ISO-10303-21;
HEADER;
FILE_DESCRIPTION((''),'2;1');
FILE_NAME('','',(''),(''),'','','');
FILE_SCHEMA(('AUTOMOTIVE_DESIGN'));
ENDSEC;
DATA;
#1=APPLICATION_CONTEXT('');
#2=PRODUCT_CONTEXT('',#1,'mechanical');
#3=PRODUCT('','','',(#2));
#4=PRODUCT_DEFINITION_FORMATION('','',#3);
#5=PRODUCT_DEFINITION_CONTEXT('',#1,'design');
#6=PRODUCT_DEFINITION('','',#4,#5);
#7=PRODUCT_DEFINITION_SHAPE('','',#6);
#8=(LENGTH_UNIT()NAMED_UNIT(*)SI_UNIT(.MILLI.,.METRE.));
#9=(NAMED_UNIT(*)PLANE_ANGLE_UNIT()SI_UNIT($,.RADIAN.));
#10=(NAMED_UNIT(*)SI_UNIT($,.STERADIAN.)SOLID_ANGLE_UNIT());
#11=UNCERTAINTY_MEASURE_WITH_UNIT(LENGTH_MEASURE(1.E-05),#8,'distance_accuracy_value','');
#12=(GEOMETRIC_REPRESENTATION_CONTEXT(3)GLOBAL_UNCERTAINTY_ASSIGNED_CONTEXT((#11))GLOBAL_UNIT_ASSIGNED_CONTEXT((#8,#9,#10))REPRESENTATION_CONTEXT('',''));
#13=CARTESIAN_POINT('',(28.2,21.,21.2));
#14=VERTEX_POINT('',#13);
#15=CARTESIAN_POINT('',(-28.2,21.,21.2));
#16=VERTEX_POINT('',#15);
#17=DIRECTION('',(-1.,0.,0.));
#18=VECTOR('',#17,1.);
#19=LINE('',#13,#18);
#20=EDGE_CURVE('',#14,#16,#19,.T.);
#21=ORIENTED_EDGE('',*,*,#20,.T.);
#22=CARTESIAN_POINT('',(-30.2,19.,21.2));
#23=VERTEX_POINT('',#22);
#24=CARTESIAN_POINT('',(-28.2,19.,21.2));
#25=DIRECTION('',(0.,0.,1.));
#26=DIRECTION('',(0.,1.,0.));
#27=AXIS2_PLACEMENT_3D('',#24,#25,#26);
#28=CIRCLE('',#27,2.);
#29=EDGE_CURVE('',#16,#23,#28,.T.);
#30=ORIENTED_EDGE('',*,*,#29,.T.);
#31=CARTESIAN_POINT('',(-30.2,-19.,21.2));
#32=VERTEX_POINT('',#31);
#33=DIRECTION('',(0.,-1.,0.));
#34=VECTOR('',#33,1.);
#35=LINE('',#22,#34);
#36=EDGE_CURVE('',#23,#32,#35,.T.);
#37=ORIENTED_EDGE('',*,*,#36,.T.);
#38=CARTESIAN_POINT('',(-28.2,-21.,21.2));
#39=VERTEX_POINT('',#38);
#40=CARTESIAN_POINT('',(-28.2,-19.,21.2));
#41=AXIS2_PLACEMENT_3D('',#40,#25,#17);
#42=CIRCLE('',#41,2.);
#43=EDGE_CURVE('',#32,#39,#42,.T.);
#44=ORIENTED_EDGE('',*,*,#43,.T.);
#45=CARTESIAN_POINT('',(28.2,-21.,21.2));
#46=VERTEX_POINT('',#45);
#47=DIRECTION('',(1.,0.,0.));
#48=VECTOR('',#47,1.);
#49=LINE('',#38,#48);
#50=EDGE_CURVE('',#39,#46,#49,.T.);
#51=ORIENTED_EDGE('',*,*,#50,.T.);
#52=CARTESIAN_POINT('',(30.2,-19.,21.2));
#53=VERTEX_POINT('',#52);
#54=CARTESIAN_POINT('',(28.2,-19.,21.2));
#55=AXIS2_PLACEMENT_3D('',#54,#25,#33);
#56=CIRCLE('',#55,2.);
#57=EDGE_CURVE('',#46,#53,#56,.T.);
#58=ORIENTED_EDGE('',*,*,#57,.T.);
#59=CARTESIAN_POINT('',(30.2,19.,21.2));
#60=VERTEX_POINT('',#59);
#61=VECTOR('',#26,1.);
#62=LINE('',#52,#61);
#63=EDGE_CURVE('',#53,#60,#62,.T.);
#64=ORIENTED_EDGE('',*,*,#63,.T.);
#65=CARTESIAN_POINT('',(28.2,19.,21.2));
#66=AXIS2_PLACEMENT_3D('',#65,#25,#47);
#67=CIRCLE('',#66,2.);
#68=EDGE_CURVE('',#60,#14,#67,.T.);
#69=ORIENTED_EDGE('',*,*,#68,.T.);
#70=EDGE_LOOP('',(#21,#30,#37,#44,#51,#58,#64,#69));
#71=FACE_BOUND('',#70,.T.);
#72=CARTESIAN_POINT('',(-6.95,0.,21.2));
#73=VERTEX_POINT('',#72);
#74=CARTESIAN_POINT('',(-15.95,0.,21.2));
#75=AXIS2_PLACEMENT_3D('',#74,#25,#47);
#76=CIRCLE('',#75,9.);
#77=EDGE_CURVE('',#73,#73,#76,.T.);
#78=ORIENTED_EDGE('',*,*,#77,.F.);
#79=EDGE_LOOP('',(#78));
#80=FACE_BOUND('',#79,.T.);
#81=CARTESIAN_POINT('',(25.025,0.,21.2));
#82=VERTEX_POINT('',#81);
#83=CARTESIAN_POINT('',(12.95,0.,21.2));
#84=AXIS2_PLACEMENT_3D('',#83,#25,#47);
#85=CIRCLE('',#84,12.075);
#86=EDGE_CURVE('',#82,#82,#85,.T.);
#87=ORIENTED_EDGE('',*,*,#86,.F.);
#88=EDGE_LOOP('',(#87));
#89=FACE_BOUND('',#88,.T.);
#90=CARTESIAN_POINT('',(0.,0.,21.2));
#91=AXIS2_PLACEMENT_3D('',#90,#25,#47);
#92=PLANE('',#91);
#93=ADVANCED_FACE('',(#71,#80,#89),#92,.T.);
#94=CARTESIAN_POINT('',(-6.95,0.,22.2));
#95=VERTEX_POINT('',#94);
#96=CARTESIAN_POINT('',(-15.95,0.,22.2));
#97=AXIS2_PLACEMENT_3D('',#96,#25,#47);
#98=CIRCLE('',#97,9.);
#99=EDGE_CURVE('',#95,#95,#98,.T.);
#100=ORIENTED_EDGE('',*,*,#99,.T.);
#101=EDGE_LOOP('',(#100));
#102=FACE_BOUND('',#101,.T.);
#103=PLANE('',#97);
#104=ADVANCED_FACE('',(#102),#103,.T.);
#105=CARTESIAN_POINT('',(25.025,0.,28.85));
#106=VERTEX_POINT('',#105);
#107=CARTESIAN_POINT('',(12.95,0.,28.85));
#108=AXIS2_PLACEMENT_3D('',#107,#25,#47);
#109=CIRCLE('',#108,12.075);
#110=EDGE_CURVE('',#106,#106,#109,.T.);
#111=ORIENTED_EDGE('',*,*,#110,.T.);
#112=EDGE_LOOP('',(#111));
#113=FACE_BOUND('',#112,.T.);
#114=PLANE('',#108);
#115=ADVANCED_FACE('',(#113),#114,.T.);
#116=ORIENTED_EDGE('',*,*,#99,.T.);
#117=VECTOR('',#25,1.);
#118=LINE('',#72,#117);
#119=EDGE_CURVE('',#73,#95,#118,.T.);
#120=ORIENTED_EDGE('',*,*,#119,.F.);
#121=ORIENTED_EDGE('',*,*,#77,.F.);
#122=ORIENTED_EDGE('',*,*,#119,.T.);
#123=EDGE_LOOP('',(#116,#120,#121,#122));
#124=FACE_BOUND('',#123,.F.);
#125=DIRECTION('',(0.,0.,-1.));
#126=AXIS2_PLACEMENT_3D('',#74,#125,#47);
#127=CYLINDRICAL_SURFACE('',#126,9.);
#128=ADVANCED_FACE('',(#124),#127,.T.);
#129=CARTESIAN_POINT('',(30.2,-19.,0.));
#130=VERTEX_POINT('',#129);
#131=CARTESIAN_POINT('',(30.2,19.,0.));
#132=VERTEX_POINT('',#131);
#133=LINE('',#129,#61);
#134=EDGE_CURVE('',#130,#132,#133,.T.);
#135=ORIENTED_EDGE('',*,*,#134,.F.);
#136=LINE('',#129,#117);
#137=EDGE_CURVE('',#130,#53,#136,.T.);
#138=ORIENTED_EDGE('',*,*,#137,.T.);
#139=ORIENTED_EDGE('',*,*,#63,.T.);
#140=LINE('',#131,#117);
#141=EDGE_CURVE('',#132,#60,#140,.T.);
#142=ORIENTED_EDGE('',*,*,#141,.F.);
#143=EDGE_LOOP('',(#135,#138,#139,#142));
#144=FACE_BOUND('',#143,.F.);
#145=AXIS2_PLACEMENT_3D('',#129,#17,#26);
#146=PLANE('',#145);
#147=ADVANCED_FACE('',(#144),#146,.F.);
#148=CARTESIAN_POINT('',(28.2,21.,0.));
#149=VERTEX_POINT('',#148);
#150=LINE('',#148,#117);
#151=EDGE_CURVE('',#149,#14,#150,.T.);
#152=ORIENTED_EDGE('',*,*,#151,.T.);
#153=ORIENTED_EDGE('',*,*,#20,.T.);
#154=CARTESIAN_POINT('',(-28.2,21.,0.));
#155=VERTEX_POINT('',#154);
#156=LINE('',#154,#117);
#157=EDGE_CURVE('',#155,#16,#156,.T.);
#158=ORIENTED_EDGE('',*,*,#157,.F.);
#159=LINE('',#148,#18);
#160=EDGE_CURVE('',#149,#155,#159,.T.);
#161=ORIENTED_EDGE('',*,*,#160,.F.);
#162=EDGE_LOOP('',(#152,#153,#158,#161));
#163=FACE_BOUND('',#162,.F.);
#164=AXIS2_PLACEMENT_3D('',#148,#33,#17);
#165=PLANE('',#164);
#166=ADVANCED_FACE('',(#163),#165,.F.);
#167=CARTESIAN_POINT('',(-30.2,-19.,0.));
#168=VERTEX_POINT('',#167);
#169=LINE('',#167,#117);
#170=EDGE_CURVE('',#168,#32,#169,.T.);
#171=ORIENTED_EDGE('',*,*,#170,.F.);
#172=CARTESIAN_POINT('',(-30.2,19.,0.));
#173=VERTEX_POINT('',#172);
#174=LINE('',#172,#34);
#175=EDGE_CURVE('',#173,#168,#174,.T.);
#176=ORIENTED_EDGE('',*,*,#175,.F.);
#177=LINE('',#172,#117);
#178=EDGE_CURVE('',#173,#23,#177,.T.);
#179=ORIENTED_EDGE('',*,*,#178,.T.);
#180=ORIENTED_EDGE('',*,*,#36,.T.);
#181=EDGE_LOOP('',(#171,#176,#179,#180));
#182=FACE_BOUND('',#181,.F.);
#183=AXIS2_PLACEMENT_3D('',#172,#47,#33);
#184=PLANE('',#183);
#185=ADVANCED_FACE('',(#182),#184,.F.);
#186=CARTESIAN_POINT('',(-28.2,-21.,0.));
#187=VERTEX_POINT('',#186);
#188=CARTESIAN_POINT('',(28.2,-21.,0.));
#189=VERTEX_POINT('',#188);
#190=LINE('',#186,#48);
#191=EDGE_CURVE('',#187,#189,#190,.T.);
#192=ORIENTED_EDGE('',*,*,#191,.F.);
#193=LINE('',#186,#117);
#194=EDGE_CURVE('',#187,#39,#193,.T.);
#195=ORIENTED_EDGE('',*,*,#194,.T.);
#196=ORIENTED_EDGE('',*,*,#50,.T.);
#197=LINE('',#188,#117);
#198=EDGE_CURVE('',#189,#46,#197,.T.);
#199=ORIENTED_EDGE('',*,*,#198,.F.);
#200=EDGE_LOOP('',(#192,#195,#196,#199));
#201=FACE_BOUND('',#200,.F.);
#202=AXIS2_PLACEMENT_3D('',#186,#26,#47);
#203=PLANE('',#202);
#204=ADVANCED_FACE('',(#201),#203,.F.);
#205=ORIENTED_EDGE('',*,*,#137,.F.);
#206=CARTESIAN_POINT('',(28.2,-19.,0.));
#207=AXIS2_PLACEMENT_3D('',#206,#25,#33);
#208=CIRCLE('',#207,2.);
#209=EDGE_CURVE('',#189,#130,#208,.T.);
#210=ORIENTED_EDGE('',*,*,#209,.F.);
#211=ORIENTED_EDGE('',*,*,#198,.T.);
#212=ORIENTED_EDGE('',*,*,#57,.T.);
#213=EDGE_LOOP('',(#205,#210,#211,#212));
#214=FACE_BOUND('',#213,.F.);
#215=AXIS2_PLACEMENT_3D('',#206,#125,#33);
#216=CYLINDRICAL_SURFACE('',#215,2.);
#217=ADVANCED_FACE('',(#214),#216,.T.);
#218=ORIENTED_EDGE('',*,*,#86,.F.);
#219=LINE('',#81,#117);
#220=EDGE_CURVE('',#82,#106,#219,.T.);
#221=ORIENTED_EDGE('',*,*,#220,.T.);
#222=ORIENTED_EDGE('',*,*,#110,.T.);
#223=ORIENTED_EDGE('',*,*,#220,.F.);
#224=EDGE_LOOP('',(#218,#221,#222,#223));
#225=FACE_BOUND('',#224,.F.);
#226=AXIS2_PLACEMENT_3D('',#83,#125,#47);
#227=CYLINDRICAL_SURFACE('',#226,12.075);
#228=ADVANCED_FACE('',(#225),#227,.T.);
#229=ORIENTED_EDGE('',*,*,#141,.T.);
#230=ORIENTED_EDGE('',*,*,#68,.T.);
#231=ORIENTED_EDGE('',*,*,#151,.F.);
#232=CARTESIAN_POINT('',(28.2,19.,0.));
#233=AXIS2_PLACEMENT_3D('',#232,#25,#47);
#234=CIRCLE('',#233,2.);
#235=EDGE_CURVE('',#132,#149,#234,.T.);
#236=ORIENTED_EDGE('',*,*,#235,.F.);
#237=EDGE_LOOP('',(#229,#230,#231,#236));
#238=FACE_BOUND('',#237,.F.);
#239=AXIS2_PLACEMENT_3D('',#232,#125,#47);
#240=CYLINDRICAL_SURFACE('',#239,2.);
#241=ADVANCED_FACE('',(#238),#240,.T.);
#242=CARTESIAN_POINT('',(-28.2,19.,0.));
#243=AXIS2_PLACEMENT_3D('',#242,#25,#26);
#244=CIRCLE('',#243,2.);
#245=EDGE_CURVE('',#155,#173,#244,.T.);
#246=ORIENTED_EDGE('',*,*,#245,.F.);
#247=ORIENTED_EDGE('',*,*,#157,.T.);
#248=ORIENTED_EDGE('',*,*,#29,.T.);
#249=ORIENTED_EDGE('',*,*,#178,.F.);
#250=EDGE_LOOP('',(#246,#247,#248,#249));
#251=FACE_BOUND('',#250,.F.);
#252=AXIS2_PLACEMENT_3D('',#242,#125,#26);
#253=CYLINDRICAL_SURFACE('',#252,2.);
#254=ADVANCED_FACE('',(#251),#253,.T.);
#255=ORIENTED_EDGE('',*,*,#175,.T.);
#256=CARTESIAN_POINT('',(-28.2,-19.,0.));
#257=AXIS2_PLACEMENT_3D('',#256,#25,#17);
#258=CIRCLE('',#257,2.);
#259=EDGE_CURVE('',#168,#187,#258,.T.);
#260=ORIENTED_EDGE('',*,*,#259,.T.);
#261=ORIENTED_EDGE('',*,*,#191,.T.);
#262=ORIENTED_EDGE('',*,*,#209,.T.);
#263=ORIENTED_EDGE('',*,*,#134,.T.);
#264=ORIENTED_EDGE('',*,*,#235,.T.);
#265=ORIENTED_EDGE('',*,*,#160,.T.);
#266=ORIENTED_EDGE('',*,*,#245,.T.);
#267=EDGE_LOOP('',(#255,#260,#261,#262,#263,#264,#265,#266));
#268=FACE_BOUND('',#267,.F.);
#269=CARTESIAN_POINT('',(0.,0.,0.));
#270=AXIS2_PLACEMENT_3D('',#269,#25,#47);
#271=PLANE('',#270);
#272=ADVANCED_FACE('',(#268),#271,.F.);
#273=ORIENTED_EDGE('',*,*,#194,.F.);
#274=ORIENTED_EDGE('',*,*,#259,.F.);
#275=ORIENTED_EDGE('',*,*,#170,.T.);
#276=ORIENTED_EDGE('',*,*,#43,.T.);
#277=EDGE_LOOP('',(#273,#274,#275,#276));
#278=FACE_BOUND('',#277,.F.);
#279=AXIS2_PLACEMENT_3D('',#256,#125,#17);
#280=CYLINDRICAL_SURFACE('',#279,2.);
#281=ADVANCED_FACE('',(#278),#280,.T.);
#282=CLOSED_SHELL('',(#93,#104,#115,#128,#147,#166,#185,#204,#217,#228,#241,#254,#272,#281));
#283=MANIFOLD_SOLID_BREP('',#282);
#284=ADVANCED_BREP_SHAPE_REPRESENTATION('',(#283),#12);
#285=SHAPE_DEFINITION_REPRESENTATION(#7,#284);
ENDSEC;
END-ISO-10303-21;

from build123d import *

# Parameters (mm, degrees)
F1_DEPTH = 21.2
F2_R     = 9
F3_DEPTH = 1
F4_R     = 12.075
F5_DEPTH = 7.65


with BuildPart() as f1:
    # F0 (on Top) → F1 (new body)
    with BuildSketch(Plane.XY):
        with BuildLine():
            ThreePointArc((-30.2, -19), (-29.6142135624, -20.4142135624), (-28.2, -21))
            Line((-28.2, -21), (28.2, -21))
            ThreePointArc((28.2, -21), (29.6142135624, -20.4142135624), (30.2, -19))
            Line((30.2, -19), (30.2, 19))
            ThreePointArc((30.2, 19), (29.6142135624, 20.4142135624), (28.2, 21))
            Line((28.2, 21), (-28.2, 21))
            ThreePointArc((-28.2, 21), (-29.6142135624, 20.4142135624), (-30.2, 19))
            Line((-30.2, 19), (-30.2, -19))
        make_face()
    extrude(amount=F1_DEPTH)

    # F2 (on face) → F3 (join)
    with BuildSketch(Plane.XY.offset(21.2)):
        with Locations((-15.95, 0)):
            Circle(F2_R)
    extrude(amount=F3_DEPTH)

    # F4 (on face) → F5 (join)
    with BuildSketch(Plane.XY.offset(21.2)):
        with Locations((12.95, 0)):
            Circle(F4_R)
    extrude(amount=F5_DEPTH)


solid = f1.part
